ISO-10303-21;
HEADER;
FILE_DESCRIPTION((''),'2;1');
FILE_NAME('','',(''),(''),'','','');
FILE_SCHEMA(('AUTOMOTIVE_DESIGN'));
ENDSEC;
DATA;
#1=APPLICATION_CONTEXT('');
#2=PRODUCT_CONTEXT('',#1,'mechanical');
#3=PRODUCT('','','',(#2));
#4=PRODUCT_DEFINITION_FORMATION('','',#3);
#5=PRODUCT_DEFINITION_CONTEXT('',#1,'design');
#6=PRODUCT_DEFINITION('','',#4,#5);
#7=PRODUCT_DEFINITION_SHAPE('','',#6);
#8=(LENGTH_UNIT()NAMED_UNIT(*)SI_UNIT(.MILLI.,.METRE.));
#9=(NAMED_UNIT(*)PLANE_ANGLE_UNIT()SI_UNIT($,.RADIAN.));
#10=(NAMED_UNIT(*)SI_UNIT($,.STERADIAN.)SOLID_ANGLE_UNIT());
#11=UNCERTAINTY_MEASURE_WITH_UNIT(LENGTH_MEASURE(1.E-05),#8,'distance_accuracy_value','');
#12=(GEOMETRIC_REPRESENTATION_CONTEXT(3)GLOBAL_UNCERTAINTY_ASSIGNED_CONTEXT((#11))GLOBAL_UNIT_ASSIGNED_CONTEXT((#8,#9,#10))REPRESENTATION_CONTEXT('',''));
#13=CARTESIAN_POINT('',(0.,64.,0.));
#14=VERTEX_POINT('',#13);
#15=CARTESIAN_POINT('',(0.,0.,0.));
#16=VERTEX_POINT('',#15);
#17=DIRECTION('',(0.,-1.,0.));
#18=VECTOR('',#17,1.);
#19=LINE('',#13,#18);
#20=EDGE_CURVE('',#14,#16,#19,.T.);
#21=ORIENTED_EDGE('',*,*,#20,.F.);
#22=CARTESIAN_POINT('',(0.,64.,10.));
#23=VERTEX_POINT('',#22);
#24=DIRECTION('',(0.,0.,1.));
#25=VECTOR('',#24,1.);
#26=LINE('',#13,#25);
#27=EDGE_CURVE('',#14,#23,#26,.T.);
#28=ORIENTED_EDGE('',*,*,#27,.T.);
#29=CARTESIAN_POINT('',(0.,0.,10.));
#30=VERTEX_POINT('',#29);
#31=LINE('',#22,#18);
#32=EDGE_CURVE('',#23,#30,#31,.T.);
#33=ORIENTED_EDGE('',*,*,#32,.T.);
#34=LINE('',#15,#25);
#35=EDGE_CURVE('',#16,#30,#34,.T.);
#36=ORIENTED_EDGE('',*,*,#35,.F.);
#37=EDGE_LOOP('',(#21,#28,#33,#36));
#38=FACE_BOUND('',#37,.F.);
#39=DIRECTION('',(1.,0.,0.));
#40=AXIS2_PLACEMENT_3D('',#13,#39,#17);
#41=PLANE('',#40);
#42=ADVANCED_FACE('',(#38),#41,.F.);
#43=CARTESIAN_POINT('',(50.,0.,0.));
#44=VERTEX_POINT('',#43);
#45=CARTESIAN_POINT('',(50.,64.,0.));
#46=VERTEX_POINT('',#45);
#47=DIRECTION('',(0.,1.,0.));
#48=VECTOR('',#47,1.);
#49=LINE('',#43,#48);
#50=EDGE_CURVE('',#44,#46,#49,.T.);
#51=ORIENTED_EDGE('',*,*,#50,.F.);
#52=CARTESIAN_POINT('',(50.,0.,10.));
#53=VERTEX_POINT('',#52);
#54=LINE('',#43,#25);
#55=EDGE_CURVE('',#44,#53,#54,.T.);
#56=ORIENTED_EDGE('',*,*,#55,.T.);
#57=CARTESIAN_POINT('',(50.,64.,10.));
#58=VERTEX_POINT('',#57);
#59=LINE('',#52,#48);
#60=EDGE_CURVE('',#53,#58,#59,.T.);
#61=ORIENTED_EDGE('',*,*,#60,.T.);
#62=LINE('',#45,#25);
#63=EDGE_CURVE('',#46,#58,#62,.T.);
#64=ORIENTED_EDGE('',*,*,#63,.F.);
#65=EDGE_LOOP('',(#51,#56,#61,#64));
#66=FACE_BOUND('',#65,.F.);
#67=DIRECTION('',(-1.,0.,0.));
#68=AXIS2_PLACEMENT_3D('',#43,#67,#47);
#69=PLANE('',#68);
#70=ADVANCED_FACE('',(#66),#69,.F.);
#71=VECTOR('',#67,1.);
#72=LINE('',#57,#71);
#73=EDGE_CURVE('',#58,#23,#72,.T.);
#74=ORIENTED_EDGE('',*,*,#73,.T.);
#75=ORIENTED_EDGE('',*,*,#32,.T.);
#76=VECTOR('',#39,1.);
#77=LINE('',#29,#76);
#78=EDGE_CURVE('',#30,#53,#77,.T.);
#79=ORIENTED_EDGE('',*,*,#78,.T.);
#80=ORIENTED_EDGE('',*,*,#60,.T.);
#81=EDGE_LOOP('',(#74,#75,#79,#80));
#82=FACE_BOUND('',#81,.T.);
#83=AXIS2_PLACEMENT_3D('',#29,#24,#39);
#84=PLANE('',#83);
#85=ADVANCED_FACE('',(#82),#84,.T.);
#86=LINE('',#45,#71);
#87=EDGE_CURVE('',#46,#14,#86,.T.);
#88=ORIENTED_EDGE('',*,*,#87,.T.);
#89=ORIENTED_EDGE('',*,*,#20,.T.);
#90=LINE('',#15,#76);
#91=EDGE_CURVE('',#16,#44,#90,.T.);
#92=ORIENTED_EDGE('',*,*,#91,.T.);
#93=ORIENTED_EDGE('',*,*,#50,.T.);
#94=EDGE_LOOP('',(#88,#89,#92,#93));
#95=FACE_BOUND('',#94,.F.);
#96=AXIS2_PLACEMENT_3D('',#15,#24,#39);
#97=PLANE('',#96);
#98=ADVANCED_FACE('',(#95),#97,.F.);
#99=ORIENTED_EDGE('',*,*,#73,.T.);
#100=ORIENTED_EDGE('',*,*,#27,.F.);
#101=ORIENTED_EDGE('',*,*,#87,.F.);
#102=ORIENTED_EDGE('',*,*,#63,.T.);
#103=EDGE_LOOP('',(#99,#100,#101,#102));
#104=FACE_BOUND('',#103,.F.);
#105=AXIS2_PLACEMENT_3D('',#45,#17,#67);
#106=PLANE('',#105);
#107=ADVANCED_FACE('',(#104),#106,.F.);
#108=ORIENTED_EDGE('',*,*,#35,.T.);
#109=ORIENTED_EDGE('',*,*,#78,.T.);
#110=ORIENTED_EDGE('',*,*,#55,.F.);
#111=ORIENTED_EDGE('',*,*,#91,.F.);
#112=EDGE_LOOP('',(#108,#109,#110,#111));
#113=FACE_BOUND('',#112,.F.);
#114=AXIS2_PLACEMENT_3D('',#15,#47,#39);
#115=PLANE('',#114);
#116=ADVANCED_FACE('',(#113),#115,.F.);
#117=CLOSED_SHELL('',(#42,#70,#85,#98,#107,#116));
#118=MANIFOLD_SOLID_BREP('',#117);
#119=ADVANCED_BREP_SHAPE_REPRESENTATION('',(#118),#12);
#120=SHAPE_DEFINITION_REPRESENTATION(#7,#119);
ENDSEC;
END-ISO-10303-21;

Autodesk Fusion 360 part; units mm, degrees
sketch "Sketch1" plane through (0, 0, 0) normal (0, 0, 1) x (1, 0, 0)
  line L0 (0, 0) -> (50, 0)
  line L1 (50, 0) -> (50, 64)
  line L2 (50, 64) -> (0, 64)
  line L3 (0, 64) -> (0, 0)
  dimension "d1" = 50
  dimension "d2" = 64
extrude "Extrude1" add sketch "Sketch1" along normal blind 10
